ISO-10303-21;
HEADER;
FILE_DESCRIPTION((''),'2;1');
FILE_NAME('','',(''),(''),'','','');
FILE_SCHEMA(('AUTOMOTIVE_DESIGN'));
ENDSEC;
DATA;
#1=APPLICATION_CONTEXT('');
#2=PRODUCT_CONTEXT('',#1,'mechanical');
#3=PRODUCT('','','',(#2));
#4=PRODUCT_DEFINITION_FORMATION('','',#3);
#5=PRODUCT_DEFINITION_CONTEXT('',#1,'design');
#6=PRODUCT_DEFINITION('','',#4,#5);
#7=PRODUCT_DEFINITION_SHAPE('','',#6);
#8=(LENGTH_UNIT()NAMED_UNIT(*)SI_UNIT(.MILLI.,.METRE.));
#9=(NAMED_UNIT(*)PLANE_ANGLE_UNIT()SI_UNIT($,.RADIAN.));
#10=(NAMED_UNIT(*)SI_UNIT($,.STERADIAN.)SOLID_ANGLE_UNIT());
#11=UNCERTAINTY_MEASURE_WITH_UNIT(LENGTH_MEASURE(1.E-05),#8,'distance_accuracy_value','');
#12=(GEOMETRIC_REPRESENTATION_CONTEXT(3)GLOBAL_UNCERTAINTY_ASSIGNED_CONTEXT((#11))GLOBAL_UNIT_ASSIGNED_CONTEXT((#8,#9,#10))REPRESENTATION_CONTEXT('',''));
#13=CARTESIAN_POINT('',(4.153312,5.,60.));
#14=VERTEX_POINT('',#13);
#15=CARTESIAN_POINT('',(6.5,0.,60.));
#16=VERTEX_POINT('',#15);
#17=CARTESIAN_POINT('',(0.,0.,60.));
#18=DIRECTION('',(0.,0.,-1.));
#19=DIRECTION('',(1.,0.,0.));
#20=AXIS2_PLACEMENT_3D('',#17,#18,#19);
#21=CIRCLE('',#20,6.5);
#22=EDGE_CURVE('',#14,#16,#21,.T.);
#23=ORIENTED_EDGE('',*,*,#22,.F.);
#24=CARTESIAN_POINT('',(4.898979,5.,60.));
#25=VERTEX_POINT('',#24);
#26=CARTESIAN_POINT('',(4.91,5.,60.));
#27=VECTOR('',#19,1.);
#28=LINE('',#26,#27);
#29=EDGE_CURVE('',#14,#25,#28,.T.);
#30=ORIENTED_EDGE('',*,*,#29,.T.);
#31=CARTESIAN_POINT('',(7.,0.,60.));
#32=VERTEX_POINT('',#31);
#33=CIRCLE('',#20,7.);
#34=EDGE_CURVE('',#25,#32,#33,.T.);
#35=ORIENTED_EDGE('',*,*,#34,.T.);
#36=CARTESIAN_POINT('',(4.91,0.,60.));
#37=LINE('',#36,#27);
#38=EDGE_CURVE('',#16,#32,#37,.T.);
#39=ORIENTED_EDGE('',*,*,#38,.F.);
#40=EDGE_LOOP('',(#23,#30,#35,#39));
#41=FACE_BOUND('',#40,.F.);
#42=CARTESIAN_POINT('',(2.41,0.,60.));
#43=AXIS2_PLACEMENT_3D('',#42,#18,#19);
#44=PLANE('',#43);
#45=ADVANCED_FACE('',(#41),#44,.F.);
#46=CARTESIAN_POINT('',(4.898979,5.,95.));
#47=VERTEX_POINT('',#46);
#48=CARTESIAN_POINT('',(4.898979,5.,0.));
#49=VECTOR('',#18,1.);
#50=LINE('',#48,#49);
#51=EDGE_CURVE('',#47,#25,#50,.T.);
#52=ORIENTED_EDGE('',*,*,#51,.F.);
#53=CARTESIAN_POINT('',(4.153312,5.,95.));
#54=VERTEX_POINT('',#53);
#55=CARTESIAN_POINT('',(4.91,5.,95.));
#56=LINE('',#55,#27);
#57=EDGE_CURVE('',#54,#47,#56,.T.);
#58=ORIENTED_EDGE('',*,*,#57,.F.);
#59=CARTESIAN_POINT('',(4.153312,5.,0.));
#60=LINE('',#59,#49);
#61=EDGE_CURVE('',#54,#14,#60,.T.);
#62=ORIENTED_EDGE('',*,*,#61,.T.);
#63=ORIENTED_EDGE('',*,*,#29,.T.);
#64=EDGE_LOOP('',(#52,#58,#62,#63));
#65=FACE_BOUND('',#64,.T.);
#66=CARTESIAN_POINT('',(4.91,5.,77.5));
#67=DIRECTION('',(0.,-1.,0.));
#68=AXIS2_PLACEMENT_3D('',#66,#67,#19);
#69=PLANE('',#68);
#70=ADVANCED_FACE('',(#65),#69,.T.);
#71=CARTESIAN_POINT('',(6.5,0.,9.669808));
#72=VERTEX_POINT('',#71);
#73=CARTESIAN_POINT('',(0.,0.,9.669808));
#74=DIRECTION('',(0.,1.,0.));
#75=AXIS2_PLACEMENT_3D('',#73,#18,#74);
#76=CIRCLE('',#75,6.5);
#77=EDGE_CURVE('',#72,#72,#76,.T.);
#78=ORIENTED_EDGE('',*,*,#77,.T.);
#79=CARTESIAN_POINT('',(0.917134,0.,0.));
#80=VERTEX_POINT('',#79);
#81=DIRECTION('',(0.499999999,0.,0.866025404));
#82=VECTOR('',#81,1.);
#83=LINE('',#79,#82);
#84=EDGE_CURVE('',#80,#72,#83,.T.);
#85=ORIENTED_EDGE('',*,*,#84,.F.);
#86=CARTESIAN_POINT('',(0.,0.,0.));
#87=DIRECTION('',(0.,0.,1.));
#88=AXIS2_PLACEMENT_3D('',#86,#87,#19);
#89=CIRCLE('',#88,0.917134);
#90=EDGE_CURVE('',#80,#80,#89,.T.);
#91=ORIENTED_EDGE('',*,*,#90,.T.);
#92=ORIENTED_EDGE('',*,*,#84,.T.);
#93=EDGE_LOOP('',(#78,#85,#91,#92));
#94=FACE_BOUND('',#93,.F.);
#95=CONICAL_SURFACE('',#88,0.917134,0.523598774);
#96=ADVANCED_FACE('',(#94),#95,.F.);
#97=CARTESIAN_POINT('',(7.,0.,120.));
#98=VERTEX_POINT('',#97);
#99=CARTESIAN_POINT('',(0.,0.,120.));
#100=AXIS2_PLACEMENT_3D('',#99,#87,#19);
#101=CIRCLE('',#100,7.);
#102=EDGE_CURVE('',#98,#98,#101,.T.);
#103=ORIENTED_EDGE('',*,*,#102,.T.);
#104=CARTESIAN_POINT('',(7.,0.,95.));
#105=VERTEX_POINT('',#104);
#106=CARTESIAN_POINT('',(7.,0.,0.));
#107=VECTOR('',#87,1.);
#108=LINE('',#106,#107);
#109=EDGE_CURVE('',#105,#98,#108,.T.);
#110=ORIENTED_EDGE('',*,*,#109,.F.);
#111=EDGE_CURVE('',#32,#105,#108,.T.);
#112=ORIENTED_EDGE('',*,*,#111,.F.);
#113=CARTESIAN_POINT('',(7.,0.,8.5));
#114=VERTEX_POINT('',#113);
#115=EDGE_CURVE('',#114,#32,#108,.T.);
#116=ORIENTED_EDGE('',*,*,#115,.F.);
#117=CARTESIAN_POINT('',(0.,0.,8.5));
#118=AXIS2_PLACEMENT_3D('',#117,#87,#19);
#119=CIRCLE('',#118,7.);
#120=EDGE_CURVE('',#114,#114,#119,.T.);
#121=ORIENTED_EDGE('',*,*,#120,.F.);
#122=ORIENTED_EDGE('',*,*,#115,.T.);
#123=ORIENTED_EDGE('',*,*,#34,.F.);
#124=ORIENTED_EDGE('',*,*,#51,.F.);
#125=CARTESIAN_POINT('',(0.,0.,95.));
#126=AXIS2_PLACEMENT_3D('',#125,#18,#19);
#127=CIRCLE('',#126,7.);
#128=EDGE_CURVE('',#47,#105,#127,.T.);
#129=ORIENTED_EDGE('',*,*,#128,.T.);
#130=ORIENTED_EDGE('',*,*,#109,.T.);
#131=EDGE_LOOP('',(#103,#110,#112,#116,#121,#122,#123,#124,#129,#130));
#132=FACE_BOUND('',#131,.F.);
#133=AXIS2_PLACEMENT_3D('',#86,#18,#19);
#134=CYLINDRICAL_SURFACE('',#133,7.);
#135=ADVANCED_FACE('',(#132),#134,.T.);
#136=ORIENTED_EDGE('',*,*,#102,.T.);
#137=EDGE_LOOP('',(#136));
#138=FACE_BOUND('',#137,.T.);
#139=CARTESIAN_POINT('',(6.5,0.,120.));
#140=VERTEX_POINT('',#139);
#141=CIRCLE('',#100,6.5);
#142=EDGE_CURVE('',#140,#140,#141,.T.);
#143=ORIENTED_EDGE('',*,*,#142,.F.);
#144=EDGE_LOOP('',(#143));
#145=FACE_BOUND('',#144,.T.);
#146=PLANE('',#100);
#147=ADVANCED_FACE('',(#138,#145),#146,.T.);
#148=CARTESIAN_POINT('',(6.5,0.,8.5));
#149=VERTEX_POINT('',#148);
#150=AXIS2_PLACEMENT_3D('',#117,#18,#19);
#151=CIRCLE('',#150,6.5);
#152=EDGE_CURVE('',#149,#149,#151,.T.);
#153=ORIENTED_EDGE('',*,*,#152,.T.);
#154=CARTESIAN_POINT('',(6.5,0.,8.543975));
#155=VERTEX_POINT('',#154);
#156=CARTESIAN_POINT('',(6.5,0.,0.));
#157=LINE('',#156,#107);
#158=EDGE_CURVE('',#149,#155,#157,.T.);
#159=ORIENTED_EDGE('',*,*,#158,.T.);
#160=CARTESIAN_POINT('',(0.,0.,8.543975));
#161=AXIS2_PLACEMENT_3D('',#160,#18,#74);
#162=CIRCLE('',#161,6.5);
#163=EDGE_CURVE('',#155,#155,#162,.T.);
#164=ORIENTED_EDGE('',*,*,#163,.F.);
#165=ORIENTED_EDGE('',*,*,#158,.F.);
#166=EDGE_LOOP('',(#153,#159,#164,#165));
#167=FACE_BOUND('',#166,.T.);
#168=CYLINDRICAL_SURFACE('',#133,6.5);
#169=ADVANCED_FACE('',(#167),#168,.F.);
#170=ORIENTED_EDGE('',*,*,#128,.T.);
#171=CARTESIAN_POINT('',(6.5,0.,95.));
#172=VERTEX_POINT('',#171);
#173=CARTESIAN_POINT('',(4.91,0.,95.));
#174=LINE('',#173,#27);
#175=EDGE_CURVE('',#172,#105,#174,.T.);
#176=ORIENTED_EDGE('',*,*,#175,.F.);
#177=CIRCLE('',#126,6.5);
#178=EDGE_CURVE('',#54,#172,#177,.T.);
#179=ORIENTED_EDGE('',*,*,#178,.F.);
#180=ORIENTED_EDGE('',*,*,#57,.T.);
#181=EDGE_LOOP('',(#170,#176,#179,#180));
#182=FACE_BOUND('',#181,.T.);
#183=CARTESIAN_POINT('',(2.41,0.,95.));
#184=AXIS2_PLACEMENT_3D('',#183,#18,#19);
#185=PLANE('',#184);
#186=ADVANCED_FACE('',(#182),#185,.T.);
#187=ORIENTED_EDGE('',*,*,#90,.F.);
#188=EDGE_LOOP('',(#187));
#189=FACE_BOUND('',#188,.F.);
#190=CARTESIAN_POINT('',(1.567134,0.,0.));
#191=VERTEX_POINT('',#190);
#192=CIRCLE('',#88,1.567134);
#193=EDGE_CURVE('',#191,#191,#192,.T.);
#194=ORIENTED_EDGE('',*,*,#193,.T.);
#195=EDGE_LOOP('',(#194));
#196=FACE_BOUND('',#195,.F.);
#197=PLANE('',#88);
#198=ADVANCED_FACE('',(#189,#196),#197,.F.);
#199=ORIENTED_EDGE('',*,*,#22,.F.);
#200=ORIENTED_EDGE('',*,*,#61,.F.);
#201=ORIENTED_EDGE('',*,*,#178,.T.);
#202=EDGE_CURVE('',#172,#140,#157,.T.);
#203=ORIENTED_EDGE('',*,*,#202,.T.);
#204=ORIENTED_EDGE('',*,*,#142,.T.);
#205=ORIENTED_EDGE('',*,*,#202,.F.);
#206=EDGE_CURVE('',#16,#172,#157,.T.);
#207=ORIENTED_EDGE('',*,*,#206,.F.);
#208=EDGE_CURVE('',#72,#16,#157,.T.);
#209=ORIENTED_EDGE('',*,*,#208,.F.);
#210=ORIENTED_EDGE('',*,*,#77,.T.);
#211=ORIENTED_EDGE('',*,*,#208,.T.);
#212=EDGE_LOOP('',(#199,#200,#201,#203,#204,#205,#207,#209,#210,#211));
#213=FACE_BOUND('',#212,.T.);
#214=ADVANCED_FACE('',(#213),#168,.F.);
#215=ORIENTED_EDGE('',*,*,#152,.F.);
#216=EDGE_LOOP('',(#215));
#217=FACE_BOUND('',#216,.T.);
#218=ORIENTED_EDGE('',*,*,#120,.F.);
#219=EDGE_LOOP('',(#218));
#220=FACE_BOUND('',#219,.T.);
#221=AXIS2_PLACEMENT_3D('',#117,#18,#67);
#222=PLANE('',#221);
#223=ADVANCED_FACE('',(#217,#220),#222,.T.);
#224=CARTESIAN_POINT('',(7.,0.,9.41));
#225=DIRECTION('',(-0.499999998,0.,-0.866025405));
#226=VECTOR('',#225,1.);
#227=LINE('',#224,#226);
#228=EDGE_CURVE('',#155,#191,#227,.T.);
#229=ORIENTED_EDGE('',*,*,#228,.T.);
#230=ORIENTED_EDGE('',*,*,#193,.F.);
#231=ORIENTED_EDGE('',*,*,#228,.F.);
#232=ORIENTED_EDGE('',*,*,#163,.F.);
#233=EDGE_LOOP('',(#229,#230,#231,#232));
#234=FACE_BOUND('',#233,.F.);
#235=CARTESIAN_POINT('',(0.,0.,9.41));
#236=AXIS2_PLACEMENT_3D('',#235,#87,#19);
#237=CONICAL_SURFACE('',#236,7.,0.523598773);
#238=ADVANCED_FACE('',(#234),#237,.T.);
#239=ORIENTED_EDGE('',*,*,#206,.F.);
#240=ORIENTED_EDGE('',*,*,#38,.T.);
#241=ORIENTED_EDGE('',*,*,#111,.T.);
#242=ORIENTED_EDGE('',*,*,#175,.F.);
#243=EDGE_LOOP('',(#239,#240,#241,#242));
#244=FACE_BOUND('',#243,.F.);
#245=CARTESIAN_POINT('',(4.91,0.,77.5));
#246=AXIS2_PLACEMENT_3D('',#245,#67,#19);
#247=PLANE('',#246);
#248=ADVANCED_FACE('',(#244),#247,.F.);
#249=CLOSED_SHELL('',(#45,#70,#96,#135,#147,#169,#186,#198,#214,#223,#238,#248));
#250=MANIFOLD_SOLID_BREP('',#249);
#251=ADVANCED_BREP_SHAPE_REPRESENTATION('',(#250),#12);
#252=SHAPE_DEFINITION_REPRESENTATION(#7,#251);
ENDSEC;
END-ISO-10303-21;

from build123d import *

# Parameters (mm, degrees)
SKETCH_R             = 7
SKETCH_R_2           = 6.5
PAD_DEPTH            = 120
REVOLUTION_FACE7_R   = 7
REVOLUTION_FACE7_R_2 = 6.5
POCKET_DEPTH         = 8.5
SKETCH003_W          = 5
SKETCH003_H          = 35
POCKET001_DEPTH      = 5


with BuildPart() as part:
    # Sketch → Pad (new body)
    with BuildSketch(Plane.XY):
        Circle(SKETCH_R)
        Circle(SKETCH_R_2, mode=Mode.SUBTRACT)
    extrude(amount=PAD_DEPTH)

    # Sketch001 → Revolution (revolve)
    with BuildSketch(Plane.XZ):
        Polygon((0.917134, 0), (7, 10.535833), (7, 9.41), (1.567134, 0), align=None)
    revolve(axis=Axis((0, 0, 0), (0, 0, 1)))

    # Revolution Face7 → Pocket (cut)
    with BuildSketch(Plane(origin=(0, 0, 0), x_dir=(0, -1, 0), z_dir=(0, 0, -1))):
        Circle(REVOLUTION_FACE7_R)
        Circle(REVOLUTION_FACE7_R_2, mode=Mode.SUBTRACT)
    extrude(amount=-POCKET_DEPTH, mode=Mode.SUBTRACT)

    # Sketch003 → Pocket001 (cut)
    with BuildSketch(Plane.XZ):
        with Locations((4.91, 77.5)):
            Rectangle(SKETCH003_W, SKETCH003_H)
    extrude(amount=-POCKET001_DEPTH, mode=Mode.SUBTRACT)


solid = part.part
